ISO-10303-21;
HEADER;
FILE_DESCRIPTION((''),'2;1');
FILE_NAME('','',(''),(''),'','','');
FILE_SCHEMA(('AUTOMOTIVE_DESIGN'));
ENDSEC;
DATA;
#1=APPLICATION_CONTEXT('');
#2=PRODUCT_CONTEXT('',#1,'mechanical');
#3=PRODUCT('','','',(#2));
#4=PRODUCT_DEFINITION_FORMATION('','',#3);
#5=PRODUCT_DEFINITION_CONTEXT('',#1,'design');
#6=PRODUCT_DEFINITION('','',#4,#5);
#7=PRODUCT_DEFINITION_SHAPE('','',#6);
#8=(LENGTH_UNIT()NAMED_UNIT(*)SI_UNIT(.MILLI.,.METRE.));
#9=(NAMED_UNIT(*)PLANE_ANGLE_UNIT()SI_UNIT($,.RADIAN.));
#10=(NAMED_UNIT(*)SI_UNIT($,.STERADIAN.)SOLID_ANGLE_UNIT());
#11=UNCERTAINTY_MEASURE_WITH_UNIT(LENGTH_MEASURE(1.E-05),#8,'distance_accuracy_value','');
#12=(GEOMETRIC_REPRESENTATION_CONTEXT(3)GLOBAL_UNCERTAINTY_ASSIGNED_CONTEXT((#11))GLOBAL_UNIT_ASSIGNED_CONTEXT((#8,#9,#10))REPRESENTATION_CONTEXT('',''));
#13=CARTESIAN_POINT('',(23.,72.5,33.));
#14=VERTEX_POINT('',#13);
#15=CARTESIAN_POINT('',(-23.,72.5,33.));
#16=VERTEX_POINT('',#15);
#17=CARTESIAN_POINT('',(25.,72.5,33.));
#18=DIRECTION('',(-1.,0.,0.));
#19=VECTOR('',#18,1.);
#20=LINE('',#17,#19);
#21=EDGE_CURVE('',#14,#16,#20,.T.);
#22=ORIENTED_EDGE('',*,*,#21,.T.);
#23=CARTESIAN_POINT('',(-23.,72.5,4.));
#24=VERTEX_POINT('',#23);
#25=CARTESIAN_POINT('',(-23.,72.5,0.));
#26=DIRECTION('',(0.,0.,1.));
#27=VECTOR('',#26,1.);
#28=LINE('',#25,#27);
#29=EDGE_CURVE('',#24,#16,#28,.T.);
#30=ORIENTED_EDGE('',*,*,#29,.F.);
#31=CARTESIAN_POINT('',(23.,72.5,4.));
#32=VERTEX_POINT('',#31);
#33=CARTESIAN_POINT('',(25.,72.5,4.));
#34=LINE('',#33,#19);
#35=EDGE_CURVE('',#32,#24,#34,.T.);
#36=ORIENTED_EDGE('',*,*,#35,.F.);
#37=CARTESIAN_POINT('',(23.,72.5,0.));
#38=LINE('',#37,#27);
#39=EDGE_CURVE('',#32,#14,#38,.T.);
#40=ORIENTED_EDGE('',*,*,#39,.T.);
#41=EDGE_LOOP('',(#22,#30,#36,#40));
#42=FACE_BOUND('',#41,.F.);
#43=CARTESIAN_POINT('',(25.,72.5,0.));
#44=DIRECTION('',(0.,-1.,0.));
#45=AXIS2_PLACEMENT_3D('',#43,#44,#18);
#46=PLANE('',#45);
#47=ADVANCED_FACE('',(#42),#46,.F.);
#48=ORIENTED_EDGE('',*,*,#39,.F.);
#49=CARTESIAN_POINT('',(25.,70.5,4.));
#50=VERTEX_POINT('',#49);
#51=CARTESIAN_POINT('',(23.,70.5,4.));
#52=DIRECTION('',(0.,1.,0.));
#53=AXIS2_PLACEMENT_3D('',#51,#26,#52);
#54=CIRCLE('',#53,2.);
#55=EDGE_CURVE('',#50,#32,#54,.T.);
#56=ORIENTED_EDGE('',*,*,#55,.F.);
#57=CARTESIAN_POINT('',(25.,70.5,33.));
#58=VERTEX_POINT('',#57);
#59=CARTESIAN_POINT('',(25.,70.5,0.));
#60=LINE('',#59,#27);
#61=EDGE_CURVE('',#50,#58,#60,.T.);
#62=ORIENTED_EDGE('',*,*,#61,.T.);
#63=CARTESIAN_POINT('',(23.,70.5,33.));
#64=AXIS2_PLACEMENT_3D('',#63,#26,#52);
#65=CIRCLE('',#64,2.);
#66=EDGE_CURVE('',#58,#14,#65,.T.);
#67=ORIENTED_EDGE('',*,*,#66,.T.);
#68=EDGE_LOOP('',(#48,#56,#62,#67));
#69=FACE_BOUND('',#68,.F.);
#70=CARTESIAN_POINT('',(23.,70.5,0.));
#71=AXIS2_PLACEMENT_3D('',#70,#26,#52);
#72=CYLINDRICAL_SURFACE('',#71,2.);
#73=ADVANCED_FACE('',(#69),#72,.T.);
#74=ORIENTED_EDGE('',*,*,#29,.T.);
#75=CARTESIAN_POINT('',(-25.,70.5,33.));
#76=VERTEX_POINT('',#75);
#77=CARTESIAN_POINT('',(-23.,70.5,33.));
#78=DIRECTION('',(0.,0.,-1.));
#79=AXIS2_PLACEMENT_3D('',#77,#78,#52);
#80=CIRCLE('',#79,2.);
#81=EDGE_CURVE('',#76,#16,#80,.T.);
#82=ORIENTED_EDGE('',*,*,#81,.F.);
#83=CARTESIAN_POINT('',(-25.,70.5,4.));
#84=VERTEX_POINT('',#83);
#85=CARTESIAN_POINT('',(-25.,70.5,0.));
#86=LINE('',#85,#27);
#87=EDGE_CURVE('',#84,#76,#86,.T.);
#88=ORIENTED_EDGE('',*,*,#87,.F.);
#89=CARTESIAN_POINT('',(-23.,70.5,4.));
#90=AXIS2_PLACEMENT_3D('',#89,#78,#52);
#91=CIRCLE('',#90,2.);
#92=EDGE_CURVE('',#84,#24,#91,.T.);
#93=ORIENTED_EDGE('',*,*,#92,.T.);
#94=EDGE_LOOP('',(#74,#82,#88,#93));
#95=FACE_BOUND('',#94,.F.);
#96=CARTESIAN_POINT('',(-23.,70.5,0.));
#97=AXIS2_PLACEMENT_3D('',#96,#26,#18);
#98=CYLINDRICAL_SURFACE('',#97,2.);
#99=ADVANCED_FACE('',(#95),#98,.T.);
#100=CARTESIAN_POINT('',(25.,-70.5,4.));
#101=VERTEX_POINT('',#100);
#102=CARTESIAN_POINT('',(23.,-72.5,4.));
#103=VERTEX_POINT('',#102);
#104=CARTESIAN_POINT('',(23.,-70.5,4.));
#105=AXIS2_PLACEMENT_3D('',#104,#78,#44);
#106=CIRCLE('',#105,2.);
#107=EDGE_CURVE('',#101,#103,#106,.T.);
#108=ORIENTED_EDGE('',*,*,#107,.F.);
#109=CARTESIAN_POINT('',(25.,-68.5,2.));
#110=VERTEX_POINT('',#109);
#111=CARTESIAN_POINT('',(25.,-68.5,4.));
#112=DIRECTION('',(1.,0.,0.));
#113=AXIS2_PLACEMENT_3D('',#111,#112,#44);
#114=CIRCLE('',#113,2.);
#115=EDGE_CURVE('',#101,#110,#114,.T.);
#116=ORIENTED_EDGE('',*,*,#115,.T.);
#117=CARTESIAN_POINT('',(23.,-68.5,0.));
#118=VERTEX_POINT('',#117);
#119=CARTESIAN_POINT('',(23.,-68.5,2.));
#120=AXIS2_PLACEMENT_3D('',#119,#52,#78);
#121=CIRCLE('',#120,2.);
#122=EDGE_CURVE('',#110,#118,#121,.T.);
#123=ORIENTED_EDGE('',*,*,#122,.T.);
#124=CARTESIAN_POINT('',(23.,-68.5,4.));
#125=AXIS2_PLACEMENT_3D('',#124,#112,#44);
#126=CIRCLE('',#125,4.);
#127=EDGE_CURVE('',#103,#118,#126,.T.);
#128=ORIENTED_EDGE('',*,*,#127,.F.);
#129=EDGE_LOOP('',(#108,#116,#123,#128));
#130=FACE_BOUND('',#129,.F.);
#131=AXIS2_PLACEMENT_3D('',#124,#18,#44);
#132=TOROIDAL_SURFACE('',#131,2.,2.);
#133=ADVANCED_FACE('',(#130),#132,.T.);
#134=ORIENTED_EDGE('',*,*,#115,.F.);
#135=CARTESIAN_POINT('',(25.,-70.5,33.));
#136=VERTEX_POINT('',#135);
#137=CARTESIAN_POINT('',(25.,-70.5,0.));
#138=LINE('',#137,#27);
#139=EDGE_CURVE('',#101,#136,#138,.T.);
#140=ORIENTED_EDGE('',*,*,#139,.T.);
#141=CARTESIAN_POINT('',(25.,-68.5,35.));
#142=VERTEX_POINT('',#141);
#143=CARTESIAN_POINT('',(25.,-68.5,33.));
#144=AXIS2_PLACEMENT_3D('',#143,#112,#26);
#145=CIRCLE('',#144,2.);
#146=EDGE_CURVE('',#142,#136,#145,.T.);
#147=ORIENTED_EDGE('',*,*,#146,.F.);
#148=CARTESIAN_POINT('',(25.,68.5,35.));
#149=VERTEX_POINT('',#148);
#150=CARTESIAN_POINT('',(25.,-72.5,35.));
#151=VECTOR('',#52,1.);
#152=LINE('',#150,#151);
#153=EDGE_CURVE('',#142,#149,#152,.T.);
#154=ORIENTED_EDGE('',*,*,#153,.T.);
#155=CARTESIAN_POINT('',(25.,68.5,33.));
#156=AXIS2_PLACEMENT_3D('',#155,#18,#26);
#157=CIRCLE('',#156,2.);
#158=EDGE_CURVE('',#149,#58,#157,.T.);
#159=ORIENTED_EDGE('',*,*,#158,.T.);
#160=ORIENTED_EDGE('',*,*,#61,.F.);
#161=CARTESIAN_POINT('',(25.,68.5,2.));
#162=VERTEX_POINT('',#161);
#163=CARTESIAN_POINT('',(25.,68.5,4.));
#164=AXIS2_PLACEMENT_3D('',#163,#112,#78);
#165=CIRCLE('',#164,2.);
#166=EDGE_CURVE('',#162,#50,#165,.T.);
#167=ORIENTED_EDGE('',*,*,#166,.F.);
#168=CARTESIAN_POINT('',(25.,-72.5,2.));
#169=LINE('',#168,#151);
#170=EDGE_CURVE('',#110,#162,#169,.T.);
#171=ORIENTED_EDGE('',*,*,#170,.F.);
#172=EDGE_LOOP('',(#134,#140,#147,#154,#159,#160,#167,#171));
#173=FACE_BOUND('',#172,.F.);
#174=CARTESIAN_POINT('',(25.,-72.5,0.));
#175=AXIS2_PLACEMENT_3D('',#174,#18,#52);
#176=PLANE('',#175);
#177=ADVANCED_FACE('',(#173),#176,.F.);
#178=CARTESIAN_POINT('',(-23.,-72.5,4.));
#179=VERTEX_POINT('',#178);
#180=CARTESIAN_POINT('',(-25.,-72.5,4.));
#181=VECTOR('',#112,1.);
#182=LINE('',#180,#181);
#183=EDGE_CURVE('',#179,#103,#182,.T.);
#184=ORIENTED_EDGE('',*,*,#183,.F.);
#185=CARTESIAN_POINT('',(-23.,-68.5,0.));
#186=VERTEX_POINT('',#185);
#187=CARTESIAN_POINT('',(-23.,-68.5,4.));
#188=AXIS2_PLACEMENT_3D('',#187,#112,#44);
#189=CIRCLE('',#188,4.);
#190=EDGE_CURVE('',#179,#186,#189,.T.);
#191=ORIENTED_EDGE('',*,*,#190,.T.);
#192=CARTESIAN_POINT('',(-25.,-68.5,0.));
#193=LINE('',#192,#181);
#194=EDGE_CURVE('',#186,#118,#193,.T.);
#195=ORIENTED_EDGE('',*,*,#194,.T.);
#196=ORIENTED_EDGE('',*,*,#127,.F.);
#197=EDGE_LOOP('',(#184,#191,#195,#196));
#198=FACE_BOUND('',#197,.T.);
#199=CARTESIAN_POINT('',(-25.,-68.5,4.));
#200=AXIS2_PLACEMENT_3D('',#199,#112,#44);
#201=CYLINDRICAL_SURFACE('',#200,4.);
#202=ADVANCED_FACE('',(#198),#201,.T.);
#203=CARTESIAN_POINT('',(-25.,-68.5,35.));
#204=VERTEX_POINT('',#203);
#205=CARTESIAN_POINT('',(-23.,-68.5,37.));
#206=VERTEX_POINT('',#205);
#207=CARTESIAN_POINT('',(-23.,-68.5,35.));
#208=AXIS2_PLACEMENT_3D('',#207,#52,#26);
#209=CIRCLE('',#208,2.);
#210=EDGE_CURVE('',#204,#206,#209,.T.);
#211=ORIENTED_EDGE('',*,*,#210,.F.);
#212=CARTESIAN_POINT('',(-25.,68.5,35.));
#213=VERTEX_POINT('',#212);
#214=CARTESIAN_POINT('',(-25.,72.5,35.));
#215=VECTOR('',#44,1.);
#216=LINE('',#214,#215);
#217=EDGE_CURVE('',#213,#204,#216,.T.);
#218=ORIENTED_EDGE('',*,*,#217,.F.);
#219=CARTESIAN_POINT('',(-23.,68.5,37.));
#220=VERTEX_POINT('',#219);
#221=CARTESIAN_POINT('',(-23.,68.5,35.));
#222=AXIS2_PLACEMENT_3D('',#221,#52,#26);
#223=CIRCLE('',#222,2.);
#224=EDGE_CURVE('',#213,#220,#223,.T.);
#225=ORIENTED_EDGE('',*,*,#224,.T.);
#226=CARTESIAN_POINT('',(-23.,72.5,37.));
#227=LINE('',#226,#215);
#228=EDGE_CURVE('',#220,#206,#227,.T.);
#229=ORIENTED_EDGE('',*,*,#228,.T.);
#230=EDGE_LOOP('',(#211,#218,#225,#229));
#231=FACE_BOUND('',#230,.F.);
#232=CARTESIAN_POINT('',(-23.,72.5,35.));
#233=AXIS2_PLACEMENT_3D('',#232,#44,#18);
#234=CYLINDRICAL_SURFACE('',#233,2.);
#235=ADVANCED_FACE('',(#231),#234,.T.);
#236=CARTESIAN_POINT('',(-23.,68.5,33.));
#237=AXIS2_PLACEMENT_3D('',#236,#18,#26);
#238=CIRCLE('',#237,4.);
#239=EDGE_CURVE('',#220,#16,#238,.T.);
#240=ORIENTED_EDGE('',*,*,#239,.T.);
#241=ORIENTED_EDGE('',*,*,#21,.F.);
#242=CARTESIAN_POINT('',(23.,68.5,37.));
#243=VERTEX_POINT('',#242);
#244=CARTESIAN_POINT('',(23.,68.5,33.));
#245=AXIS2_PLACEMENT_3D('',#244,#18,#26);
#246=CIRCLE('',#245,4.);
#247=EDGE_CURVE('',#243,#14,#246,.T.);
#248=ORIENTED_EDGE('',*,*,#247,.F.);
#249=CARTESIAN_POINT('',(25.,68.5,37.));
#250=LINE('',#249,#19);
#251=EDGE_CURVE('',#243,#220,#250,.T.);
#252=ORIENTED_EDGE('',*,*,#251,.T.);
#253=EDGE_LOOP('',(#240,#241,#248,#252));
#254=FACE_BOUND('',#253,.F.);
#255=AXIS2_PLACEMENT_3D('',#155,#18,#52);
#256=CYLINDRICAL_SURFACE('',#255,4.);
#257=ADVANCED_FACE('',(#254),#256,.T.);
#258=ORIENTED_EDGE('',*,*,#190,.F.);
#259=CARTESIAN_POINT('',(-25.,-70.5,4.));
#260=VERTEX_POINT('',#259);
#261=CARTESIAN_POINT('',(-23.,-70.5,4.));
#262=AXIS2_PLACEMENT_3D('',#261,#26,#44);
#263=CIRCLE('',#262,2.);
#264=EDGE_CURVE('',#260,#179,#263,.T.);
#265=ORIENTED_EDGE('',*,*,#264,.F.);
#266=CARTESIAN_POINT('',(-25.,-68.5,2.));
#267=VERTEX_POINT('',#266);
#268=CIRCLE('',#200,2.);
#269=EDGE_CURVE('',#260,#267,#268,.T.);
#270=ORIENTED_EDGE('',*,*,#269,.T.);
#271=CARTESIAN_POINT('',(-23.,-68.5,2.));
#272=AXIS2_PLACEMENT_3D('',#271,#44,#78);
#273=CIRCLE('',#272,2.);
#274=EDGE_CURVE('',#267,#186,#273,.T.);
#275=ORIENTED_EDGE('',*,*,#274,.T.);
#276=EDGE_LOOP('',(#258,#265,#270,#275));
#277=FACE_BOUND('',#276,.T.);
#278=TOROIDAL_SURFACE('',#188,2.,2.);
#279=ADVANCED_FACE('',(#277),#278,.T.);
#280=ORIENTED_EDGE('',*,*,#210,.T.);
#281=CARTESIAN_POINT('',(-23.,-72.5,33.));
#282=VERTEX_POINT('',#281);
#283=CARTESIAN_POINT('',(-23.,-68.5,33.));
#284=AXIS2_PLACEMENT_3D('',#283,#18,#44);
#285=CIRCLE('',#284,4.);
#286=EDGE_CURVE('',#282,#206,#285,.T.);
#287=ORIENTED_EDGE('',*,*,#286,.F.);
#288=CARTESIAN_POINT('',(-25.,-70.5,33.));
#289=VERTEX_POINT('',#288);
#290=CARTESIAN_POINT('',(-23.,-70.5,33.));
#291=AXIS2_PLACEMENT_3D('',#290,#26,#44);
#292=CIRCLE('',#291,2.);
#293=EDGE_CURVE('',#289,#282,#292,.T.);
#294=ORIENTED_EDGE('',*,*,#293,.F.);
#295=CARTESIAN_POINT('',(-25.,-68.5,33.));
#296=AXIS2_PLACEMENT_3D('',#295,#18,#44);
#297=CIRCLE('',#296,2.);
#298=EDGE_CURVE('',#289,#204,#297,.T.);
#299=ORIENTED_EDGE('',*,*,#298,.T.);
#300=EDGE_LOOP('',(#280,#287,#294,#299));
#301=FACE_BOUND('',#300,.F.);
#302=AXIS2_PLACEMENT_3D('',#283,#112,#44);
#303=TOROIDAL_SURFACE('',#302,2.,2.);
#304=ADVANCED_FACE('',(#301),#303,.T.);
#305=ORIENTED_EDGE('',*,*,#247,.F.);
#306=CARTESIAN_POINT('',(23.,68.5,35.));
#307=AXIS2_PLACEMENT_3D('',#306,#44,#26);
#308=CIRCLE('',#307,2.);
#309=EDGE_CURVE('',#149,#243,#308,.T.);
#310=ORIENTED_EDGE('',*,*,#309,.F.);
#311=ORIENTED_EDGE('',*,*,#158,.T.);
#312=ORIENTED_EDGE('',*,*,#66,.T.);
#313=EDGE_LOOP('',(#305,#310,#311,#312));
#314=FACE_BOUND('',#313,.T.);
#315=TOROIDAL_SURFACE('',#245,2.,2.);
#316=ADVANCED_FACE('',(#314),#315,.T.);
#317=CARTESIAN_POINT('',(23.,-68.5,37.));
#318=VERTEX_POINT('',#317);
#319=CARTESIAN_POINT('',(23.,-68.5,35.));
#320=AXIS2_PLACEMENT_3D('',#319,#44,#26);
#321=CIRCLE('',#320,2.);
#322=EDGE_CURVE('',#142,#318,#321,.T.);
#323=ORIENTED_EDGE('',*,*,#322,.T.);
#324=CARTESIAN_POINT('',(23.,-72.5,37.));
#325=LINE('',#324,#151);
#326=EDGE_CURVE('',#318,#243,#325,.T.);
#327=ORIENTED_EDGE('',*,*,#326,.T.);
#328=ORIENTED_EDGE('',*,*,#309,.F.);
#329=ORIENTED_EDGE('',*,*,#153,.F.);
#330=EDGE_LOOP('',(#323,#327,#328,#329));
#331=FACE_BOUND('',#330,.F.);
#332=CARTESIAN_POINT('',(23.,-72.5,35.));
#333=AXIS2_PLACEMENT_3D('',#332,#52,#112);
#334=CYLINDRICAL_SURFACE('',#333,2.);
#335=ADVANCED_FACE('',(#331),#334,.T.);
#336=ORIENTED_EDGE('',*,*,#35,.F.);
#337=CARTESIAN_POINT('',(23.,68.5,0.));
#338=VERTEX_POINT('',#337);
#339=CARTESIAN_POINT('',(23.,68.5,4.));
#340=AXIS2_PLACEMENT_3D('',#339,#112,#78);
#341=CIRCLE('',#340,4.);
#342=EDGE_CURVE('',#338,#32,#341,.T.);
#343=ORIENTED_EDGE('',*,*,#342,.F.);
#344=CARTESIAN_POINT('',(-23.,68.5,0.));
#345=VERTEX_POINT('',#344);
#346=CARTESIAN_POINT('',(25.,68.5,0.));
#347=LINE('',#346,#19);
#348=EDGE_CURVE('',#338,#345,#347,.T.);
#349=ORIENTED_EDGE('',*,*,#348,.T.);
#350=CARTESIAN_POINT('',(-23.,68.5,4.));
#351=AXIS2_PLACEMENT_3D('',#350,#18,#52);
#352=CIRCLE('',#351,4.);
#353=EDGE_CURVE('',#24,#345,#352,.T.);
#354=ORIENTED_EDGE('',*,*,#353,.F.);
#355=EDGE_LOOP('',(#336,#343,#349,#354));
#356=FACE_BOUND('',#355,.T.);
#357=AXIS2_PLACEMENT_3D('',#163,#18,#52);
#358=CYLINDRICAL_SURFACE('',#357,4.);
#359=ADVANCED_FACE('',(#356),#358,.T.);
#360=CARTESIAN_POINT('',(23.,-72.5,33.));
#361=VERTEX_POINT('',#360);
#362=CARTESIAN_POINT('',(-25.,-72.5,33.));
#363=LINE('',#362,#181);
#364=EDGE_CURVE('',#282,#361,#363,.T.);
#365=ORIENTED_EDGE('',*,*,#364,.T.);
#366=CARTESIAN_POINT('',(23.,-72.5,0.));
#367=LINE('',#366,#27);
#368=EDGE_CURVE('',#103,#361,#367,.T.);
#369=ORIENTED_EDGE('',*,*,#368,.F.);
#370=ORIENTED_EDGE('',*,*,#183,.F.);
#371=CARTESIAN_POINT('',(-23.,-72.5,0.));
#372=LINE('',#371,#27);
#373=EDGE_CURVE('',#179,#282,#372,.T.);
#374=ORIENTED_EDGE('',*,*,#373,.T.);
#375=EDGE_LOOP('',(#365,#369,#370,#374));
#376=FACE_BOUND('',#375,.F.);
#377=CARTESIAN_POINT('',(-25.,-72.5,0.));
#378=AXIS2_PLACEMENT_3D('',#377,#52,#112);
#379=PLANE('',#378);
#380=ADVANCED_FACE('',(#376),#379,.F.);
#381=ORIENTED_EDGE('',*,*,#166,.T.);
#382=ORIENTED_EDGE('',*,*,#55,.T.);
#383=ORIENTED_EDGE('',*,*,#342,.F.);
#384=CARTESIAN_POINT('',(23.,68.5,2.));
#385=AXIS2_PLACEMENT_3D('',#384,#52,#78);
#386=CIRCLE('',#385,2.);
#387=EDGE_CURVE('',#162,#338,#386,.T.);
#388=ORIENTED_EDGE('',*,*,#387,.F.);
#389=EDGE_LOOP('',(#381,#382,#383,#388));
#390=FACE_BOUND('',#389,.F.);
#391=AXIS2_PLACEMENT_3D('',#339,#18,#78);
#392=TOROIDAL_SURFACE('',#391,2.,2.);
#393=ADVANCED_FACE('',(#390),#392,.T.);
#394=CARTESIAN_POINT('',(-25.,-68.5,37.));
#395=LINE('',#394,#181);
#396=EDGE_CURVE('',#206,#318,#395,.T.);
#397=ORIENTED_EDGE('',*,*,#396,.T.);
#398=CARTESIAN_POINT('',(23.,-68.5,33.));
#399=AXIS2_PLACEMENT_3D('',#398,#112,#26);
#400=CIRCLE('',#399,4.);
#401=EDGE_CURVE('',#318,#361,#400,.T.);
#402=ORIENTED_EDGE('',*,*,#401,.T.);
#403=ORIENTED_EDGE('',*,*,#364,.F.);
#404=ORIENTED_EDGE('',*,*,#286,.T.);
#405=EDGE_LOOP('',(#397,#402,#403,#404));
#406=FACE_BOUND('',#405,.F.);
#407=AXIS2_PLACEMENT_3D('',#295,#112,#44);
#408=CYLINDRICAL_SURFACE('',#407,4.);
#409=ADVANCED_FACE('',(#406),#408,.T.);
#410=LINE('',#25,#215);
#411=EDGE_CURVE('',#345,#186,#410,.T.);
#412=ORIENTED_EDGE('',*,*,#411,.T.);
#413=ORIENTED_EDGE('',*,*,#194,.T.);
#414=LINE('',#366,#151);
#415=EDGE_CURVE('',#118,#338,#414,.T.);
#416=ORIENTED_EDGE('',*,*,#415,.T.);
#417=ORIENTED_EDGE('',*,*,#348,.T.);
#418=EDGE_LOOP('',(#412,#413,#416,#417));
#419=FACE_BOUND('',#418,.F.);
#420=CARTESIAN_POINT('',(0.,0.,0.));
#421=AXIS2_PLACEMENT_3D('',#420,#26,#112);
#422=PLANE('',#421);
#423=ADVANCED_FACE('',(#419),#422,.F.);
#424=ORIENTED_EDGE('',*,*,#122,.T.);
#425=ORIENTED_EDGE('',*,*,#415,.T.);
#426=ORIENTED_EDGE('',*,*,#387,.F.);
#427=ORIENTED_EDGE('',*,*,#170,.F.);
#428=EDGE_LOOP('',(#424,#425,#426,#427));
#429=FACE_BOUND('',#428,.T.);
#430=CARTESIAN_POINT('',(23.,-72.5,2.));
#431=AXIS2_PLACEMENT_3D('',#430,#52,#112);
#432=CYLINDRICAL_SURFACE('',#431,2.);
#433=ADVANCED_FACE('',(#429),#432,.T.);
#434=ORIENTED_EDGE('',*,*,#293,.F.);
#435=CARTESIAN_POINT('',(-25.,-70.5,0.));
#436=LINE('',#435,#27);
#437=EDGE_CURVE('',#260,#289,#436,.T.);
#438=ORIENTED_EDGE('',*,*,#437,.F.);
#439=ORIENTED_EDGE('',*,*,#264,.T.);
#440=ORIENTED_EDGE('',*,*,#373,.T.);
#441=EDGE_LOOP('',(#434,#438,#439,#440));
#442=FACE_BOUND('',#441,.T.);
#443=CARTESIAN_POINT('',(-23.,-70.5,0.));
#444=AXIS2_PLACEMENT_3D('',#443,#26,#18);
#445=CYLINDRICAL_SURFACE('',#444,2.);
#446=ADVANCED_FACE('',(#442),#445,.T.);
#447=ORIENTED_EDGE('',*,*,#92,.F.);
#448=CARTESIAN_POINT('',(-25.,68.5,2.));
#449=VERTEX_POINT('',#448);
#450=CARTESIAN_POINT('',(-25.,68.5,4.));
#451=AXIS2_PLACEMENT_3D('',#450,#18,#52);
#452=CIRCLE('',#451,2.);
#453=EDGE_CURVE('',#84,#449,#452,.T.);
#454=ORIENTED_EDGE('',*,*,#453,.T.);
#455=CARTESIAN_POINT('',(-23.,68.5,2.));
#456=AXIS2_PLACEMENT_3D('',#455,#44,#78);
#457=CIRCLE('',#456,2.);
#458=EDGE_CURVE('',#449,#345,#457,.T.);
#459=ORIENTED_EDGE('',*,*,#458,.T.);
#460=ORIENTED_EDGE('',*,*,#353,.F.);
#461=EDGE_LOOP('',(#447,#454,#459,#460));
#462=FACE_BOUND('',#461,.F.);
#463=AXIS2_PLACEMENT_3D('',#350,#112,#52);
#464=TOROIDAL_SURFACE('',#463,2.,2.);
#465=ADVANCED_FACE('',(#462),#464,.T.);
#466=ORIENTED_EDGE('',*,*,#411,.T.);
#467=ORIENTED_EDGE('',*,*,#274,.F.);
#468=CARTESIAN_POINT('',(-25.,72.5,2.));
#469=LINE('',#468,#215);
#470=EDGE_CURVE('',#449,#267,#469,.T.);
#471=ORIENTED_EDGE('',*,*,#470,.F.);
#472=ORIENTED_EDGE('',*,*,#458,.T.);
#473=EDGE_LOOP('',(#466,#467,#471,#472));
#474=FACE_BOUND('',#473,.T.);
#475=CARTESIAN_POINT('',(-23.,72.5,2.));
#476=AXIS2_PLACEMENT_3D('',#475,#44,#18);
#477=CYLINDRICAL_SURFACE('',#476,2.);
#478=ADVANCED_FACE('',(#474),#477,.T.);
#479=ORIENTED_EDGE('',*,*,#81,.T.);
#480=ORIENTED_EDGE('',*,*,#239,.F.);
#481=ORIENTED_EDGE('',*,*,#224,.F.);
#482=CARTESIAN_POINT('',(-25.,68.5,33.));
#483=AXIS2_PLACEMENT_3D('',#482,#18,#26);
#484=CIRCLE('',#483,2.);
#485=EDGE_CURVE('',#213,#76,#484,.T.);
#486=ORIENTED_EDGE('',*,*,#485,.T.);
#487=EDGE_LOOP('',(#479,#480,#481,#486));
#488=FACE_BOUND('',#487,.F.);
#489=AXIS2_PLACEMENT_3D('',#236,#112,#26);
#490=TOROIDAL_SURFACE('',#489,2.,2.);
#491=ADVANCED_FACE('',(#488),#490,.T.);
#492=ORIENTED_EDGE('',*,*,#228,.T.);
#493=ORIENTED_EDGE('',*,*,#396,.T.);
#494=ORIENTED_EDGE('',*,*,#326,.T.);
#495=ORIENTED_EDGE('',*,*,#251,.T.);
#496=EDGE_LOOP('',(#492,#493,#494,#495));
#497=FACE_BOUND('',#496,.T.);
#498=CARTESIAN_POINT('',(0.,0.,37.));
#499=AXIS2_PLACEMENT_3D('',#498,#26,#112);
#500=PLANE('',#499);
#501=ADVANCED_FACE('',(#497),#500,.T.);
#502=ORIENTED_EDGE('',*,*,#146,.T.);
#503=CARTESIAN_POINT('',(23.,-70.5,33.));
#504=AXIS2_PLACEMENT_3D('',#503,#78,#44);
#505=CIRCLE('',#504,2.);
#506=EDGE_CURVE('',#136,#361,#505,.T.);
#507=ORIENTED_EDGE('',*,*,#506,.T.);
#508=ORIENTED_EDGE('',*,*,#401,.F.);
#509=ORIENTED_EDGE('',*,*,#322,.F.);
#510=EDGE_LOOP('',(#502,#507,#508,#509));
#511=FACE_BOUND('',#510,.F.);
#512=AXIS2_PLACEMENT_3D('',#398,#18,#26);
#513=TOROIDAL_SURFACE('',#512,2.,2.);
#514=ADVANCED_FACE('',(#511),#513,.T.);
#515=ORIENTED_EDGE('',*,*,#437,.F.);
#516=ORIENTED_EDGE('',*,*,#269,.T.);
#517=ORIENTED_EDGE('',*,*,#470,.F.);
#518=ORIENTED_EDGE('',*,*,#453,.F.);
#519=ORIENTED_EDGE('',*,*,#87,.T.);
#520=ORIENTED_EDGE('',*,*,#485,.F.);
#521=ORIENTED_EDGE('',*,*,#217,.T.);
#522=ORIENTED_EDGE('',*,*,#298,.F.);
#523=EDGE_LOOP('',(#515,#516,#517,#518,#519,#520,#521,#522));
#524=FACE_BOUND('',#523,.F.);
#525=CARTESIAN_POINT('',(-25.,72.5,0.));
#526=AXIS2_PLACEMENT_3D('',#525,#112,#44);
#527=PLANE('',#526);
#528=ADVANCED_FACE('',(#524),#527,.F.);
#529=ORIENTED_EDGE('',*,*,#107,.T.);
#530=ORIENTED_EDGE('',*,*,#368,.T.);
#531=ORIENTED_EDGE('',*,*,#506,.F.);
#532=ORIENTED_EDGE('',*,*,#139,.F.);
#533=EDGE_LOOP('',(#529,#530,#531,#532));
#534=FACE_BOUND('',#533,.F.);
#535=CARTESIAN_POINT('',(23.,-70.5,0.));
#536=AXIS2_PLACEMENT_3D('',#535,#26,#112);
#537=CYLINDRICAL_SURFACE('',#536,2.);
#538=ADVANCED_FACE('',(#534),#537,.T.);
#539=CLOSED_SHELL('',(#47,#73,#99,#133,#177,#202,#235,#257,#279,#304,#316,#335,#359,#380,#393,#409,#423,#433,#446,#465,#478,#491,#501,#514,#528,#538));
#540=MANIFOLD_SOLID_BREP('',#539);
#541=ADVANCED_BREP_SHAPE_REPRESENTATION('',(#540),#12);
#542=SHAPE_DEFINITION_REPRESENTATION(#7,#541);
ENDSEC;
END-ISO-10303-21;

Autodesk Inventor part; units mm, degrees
ref_plane "YZ Plane" through (0, 0, 0) normal (1, 0, 0) x (0, 1, 0)
ref_plane "XZ Plane" through (0, 0, 0) normal (0, 1, 0) x (-1, 0, 0)
ref_plane "XY Plane" through (0, 0, 0) normal (0, 0, 1) x (1, 0, 0)
sketch "Skizze1" plane through (0, 0, 0) normal (0, 0, 1) x (1, 0, 0)
  line L0 (-25, -72.5) -> (25, -72.5)
  line L1 (25, -72.5) -> (25, 72.5)
  line L2 (25, 72.5) -> (-25, 72.5)
  line L3 (-25, 72.5) -> (-25, -72.5)
  line L4 (-25, -72.5) -> (25, 72.5) construction
  line L5 (25, -72.5) -> (-25, 72.5) construction
  point P0 (0, 0)
  dimension "d0" = 50
  dimension "d1" = 145
extrude "Extrusion1" add sketch "Skizze1" along normal blind 37
fillet "Rundung1" radius 4 4 edges at (0, 72.5, 37) (0, 72.5, 0) (0, -72.5, 0) (0, -72.5, 37)
fillet "Rundung1" radius 2 8 edges at (25, 0, 37) (25, -72.5, 18.5) (-25, -72.5, 18.5) (-25, 0, 37) (25, 0, 0) (25, 72.5, 18.5) (-25, 72.5, 18.5) (-25, 0, 0)
equation "\"G_L\" = 0"
equation "\"G_H\" = 0"
equation "\"G_B\" = 0"
properties part number "4S5000" material "ABS-Kunststoff"
